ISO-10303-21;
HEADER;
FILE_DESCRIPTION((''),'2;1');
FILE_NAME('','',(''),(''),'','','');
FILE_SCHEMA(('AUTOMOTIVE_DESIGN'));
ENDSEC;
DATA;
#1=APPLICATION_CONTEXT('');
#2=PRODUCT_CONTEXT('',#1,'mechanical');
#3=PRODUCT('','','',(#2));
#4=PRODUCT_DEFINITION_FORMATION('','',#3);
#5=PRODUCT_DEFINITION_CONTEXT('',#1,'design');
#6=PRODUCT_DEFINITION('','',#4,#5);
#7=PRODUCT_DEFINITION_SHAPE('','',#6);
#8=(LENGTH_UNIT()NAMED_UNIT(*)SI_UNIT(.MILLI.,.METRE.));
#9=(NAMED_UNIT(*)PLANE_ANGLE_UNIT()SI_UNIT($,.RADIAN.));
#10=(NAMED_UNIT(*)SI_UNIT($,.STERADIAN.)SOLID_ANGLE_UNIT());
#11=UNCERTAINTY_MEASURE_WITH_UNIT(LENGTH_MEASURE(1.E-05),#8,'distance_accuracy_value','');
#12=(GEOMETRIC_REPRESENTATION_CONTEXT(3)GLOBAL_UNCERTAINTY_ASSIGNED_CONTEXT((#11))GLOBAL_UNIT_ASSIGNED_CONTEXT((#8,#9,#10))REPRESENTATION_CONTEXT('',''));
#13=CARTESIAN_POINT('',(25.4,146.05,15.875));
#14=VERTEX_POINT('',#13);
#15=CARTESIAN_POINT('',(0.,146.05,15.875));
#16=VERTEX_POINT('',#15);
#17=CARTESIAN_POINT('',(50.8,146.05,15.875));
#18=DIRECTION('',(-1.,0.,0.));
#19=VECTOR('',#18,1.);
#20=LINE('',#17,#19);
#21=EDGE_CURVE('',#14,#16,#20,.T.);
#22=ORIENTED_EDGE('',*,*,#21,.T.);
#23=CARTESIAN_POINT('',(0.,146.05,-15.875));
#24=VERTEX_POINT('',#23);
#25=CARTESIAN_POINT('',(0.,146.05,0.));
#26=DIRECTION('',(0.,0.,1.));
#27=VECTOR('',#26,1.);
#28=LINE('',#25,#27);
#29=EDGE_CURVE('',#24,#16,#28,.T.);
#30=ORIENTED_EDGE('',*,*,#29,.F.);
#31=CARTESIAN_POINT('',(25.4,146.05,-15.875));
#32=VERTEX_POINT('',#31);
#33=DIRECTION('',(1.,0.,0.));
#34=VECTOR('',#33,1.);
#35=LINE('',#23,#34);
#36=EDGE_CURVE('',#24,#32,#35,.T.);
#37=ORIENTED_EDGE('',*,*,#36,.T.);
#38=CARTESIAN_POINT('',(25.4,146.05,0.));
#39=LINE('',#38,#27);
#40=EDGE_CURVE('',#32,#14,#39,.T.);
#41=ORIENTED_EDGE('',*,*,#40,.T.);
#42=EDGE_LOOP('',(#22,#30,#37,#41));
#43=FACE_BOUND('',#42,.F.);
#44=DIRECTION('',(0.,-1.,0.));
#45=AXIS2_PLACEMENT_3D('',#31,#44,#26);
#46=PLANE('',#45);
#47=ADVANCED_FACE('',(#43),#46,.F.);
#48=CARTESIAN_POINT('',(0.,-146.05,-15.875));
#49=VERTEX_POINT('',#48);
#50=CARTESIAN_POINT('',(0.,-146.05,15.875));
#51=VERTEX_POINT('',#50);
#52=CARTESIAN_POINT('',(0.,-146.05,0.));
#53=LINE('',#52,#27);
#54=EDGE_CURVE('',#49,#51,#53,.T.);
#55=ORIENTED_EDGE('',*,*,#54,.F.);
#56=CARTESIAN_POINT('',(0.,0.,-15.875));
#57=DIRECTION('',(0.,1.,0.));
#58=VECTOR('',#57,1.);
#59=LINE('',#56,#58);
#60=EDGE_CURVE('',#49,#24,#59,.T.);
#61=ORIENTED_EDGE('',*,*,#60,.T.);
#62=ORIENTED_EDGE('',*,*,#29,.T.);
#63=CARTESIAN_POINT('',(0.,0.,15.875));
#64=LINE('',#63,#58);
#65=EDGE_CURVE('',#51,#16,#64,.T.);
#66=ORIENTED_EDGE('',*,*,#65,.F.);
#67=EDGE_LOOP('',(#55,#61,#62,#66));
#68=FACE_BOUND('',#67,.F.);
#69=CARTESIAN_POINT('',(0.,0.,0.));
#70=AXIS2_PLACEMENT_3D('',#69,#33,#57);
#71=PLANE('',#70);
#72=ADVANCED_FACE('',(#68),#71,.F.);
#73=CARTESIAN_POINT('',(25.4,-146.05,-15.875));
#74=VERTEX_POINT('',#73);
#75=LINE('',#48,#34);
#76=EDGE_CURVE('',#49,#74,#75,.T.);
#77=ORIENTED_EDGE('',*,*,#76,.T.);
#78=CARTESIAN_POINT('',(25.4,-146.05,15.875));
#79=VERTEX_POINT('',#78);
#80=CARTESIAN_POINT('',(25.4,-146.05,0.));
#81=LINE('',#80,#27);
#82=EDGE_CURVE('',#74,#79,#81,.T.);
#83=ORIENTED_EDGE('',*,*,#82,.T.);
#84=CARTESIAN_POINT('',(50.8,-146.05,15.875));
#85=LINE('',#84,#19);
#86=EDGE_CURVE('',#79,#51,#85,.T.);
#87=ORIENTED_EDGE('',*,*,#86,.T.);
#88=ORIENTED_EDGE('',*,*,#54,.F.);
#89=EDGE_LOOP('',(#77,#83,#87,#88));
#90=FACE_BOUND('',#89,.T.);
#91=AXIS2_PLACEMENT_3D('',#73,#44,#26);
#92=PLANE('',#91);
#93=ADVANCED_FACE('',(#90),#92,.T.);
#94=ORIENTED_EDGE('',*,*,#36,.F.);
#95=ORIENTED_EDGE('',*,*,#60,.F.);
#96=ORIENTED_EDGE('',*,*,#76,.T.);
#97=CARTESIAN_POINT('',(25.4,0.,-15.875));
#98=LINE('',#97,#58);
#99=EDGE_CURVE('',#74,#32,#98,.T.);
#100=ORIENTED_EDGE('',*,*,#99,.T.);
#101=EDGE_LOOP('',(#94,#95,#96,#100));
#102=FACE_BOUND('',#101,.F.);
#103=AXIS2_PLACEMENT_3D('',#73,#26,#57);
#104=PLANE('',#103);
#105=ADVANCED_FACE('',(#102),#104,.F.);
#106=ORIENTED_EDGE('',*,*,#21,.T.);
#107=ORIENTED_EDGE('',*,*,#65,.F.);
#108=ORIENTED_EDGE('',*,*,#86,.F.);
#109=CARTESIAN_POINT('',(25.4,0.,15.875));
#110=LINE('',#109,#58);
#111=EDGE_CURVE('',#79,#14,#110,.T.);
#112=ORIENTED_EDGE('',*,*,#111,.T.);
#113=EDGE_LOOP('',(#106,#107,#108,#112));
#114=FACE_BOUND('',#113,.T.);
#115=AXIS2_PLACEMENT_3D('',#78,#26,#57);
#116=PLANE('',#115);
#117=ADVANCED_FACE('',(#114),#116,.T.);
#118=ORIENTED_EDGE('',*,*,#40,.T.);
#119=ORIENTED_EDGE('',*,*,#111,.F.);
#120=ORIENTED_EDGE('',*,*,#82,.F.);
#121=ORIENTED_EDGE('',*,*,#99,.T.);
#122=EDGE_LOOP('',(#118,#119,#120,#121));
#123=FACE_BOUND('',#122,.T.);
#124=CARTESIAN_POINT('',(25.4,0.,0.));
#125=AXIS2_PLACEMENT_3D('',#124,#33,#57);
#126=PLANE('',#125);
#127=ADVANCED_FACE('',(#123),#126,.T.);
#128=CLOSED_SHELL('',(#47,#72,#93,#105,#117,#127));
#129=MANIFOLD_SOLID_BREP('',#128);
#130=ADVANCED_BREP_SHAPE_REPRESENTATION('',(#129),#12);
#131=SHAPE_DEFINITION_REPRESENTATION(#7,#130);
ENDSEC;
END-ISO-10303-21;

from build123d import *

# Parameters (mm, degrees)
F0_W     = 292.1
F0_H     = 31.75
F1_DEPTH = 20.32
F2_DEPTH = 5.08
F3_DEPTH = 25.4
F4_DEPTH = 25.4


with BuildPart() as f1:
    # F0 (on Right) → F1 (new body)
    with BuildSketch(Plane.YZ):
        Rectangle(F0_W, F0_H)
    extrude(amount=F1_DEPTH)

    # F2 (add): a face of the model
    f2_faces = [f1.faces().sort_by_distance(p)[0] for p in [
        (20.32, 0, 0),
    ]]
    extrude(f2_faces, amount=F2_DEPTH)

    # F3 (add): a face of the model
    f3_faces = [f1.faces().sort_by_distance(p)[0] for p in [
        (25.4, 0, 0),
    ]]
    extrude(f3_faces, amount=F3_DEPTH)

    # F4 (cut): a face of the model
    f4_faces = [f1.faces().sort_by_distance(p)[0] for p in [
        (50.8, 0, 0),
    ]]
    extrude(f4_faces, amount=-F4_DEPTH, mode=Mode.SUBTRACT)


solid = f1.part
